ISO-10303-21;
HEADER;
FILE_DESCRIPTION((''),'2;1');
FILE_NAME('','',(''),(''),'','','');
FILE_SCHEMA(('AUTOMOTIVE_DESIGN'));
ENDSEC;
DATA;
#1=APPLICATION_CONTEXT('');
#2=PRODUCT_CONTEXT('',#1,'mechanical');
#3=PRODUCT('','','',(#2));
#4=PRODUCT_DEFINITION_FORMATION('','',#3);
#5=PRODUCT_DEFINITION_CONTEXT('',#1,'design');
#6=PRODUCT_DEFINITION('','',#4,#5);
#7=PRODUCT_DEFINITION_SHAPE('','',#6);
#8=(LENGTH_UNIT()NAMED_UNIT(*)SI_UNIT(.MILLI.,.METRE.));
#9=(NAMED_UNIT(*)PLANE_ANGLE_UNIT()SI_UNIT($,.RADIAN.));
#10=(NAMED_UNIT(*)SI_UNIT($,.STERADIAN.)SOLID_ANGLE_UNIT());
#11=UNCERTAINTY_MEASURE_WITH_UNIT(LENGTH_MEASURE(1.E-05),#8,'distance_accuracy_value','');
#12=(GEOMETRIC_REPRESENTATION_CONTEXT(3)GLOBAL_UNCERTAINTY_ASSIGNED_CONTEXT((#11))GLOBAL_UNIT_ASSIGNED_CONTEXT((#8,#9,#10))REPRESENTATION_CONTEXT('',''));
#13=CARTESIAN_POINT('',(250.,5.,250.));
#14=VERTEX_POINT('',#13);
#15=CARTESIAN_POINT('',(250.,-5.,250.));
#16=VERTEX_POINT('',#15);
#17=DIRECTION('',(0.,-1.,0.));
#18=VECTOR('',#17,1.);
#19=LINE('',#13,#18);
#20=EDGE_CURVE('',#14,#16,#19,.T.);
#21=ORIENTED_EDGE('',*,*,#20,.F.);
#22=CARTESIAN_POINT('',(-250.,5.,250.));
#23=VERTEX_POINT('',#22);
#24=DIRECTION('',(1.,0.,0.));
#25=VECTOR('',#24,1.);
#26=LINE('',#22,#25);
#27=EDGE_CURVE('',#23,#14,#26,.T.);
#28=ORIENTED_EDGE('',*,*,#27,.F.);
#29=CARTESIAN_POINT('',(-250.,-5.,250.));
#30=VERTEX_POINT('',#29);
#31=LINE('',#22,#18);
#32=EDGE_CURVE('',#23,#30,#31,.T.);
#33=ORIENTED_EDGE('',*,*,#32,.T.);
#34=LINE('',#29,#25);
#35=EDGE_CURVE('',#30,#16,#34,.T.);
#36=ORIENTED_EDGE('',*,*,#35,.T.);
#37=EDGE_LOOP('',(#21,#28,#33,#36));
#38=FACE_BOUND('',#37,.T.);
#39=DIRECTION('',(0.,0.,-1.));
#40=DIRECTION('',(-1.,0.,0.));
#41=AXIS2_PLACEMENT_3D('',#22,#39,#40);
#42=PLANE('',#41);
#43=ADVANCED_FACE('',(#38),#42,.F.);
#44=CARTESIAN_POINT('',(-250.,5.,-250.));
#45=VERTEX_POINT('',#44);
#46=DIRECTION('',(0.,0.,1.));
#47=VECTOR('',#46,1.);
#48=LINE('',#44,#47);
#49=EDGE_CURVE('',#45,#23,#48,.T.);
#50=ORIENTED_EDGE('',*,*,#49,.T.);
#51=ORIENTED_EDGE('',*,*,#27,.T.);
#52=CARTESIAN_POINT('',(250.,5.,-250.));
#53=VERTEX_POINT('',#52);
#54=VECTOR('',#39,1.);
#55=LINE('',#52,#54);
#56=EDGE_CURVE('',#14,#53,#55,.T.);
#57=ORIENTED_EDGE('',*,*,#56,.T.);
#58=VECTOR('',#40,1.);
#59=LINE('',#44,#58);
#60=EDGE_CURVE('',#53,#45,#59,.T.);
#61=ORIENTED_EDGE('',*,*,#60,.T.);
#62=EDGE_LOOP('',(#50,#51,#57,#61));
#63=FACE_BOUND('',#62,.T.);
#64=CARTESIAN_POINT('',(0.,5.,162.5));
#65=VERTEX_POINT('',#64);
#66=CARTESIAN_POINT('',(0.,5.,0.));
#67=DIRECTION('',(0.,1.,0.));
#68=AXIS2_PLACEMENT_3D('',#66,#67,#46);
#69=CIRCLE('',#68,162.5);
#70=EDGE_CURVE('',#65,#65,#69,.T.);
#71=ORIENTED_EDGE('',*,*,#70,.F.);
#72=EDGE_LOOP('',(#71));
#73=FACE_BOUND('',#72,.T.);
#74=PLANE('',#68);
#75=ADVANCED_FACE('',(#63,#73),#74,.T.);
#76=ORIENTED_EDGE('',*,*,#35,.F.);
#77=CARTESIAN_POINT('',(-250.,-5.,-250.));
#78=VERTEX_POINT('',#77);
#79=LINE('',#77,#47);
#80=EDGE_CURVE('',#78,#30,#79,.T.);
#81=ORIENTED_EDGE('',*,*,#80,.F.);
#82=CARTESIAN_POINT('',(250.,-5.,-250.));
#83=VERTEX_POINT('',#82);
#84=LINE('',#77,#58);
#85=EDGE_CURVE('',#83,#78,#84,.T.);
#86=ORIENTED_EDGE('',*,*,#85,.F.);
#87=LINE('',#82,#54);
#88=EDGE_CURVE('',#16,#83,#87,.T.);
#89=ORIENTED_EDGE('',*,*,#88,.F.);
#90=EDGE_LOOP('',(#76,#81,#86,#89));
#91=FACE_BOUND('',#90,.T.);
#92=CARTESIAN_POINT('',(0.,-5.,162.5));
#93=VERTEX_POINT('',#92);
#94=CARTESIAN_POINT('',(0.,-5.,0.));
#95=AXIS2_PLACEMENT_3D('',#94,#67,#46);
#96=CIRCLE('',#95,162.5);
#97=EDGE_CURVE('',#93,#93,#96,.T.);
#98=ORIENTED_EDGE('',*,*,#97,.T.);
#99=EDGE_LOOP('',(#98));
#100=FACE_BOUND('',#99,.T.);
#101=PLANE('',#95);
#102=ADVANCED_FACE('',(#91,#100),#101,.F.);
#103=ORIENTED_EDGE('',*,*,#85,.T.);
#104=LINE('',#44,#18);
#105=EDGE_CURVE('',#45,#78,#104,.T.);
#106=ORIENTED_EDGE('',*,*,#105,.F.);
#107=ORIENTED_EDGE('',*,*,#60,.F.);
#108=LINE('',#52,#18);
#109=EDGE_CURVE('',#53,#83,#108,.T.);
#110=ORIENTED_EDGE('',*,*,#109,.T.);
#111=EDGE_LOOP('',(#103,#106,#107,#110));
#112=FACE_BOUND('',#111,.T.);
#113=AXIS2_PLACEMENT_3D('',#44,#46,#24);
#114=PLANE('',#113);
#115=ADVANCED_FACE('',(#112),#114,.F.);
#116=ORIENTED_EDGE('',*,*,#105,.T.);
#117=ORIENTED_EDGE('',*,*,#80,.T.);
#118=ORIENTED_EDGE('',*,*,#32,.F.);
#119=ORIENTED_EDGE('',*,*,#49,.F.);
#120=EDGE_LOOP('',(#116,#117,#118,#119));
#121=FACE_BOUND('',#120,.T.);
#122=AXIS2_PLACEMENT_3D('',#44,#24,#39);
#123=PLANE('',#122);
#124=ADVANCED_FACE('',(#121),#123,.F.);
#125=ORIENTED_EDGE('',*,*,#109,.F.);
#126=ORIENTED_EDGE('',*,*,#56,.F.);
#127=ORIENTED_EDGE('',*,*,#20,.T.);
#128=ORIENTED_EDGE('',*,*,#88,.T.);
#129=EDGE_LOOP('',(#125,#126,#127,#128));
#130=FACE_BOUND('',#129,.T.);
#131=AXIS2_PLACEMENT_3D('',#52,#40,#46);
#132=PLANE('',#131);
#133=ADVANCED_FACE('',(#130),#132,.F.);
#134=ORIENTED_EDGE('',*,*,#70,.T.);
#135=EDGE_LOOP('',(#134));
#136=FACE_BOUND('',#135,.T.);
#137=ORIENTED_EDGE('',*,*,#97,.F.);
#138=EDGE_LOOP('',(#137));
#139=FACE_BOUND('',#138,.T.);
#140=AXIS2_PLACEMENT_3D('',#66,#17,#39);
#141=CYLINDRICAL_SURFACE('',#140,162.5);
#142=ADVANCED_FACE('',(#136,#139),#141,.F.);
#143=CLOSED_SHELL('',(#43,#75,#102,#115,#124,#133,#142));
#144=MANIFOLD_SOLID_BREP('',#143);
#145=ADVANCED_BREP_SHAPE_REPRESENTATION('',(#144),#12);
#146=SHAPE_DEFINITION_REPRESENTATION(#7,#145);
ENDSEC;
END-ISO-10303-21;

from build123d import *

# Parameters (mm, degrees)
SKETCH1_W           = 500
SKETCH1_H           = 500
SKETCH1_R           = 162.5
BOSS_EXTRUDE1_DEPTH = 5


with BuildPart() as part:
    # Sketch1 → Boss-Extrude1 (new, symmetric)
    with BuildSketch(Plane(origin=(0, 0, 0), x_dir=(1, 0, 0), z_dir=(0, 1, 0))):
        Rectangle(SKETCH1_W, SKETCH1_H)
        with Locations(Location((0, 0, 0), (0, 0, 270))):
            Circle(SKETCH1_R, mode=Mode.SUBTRACT)
    extrude(amount=BOSS_EXTRUDE1_DEPTH, both=True)


solid = part.part
